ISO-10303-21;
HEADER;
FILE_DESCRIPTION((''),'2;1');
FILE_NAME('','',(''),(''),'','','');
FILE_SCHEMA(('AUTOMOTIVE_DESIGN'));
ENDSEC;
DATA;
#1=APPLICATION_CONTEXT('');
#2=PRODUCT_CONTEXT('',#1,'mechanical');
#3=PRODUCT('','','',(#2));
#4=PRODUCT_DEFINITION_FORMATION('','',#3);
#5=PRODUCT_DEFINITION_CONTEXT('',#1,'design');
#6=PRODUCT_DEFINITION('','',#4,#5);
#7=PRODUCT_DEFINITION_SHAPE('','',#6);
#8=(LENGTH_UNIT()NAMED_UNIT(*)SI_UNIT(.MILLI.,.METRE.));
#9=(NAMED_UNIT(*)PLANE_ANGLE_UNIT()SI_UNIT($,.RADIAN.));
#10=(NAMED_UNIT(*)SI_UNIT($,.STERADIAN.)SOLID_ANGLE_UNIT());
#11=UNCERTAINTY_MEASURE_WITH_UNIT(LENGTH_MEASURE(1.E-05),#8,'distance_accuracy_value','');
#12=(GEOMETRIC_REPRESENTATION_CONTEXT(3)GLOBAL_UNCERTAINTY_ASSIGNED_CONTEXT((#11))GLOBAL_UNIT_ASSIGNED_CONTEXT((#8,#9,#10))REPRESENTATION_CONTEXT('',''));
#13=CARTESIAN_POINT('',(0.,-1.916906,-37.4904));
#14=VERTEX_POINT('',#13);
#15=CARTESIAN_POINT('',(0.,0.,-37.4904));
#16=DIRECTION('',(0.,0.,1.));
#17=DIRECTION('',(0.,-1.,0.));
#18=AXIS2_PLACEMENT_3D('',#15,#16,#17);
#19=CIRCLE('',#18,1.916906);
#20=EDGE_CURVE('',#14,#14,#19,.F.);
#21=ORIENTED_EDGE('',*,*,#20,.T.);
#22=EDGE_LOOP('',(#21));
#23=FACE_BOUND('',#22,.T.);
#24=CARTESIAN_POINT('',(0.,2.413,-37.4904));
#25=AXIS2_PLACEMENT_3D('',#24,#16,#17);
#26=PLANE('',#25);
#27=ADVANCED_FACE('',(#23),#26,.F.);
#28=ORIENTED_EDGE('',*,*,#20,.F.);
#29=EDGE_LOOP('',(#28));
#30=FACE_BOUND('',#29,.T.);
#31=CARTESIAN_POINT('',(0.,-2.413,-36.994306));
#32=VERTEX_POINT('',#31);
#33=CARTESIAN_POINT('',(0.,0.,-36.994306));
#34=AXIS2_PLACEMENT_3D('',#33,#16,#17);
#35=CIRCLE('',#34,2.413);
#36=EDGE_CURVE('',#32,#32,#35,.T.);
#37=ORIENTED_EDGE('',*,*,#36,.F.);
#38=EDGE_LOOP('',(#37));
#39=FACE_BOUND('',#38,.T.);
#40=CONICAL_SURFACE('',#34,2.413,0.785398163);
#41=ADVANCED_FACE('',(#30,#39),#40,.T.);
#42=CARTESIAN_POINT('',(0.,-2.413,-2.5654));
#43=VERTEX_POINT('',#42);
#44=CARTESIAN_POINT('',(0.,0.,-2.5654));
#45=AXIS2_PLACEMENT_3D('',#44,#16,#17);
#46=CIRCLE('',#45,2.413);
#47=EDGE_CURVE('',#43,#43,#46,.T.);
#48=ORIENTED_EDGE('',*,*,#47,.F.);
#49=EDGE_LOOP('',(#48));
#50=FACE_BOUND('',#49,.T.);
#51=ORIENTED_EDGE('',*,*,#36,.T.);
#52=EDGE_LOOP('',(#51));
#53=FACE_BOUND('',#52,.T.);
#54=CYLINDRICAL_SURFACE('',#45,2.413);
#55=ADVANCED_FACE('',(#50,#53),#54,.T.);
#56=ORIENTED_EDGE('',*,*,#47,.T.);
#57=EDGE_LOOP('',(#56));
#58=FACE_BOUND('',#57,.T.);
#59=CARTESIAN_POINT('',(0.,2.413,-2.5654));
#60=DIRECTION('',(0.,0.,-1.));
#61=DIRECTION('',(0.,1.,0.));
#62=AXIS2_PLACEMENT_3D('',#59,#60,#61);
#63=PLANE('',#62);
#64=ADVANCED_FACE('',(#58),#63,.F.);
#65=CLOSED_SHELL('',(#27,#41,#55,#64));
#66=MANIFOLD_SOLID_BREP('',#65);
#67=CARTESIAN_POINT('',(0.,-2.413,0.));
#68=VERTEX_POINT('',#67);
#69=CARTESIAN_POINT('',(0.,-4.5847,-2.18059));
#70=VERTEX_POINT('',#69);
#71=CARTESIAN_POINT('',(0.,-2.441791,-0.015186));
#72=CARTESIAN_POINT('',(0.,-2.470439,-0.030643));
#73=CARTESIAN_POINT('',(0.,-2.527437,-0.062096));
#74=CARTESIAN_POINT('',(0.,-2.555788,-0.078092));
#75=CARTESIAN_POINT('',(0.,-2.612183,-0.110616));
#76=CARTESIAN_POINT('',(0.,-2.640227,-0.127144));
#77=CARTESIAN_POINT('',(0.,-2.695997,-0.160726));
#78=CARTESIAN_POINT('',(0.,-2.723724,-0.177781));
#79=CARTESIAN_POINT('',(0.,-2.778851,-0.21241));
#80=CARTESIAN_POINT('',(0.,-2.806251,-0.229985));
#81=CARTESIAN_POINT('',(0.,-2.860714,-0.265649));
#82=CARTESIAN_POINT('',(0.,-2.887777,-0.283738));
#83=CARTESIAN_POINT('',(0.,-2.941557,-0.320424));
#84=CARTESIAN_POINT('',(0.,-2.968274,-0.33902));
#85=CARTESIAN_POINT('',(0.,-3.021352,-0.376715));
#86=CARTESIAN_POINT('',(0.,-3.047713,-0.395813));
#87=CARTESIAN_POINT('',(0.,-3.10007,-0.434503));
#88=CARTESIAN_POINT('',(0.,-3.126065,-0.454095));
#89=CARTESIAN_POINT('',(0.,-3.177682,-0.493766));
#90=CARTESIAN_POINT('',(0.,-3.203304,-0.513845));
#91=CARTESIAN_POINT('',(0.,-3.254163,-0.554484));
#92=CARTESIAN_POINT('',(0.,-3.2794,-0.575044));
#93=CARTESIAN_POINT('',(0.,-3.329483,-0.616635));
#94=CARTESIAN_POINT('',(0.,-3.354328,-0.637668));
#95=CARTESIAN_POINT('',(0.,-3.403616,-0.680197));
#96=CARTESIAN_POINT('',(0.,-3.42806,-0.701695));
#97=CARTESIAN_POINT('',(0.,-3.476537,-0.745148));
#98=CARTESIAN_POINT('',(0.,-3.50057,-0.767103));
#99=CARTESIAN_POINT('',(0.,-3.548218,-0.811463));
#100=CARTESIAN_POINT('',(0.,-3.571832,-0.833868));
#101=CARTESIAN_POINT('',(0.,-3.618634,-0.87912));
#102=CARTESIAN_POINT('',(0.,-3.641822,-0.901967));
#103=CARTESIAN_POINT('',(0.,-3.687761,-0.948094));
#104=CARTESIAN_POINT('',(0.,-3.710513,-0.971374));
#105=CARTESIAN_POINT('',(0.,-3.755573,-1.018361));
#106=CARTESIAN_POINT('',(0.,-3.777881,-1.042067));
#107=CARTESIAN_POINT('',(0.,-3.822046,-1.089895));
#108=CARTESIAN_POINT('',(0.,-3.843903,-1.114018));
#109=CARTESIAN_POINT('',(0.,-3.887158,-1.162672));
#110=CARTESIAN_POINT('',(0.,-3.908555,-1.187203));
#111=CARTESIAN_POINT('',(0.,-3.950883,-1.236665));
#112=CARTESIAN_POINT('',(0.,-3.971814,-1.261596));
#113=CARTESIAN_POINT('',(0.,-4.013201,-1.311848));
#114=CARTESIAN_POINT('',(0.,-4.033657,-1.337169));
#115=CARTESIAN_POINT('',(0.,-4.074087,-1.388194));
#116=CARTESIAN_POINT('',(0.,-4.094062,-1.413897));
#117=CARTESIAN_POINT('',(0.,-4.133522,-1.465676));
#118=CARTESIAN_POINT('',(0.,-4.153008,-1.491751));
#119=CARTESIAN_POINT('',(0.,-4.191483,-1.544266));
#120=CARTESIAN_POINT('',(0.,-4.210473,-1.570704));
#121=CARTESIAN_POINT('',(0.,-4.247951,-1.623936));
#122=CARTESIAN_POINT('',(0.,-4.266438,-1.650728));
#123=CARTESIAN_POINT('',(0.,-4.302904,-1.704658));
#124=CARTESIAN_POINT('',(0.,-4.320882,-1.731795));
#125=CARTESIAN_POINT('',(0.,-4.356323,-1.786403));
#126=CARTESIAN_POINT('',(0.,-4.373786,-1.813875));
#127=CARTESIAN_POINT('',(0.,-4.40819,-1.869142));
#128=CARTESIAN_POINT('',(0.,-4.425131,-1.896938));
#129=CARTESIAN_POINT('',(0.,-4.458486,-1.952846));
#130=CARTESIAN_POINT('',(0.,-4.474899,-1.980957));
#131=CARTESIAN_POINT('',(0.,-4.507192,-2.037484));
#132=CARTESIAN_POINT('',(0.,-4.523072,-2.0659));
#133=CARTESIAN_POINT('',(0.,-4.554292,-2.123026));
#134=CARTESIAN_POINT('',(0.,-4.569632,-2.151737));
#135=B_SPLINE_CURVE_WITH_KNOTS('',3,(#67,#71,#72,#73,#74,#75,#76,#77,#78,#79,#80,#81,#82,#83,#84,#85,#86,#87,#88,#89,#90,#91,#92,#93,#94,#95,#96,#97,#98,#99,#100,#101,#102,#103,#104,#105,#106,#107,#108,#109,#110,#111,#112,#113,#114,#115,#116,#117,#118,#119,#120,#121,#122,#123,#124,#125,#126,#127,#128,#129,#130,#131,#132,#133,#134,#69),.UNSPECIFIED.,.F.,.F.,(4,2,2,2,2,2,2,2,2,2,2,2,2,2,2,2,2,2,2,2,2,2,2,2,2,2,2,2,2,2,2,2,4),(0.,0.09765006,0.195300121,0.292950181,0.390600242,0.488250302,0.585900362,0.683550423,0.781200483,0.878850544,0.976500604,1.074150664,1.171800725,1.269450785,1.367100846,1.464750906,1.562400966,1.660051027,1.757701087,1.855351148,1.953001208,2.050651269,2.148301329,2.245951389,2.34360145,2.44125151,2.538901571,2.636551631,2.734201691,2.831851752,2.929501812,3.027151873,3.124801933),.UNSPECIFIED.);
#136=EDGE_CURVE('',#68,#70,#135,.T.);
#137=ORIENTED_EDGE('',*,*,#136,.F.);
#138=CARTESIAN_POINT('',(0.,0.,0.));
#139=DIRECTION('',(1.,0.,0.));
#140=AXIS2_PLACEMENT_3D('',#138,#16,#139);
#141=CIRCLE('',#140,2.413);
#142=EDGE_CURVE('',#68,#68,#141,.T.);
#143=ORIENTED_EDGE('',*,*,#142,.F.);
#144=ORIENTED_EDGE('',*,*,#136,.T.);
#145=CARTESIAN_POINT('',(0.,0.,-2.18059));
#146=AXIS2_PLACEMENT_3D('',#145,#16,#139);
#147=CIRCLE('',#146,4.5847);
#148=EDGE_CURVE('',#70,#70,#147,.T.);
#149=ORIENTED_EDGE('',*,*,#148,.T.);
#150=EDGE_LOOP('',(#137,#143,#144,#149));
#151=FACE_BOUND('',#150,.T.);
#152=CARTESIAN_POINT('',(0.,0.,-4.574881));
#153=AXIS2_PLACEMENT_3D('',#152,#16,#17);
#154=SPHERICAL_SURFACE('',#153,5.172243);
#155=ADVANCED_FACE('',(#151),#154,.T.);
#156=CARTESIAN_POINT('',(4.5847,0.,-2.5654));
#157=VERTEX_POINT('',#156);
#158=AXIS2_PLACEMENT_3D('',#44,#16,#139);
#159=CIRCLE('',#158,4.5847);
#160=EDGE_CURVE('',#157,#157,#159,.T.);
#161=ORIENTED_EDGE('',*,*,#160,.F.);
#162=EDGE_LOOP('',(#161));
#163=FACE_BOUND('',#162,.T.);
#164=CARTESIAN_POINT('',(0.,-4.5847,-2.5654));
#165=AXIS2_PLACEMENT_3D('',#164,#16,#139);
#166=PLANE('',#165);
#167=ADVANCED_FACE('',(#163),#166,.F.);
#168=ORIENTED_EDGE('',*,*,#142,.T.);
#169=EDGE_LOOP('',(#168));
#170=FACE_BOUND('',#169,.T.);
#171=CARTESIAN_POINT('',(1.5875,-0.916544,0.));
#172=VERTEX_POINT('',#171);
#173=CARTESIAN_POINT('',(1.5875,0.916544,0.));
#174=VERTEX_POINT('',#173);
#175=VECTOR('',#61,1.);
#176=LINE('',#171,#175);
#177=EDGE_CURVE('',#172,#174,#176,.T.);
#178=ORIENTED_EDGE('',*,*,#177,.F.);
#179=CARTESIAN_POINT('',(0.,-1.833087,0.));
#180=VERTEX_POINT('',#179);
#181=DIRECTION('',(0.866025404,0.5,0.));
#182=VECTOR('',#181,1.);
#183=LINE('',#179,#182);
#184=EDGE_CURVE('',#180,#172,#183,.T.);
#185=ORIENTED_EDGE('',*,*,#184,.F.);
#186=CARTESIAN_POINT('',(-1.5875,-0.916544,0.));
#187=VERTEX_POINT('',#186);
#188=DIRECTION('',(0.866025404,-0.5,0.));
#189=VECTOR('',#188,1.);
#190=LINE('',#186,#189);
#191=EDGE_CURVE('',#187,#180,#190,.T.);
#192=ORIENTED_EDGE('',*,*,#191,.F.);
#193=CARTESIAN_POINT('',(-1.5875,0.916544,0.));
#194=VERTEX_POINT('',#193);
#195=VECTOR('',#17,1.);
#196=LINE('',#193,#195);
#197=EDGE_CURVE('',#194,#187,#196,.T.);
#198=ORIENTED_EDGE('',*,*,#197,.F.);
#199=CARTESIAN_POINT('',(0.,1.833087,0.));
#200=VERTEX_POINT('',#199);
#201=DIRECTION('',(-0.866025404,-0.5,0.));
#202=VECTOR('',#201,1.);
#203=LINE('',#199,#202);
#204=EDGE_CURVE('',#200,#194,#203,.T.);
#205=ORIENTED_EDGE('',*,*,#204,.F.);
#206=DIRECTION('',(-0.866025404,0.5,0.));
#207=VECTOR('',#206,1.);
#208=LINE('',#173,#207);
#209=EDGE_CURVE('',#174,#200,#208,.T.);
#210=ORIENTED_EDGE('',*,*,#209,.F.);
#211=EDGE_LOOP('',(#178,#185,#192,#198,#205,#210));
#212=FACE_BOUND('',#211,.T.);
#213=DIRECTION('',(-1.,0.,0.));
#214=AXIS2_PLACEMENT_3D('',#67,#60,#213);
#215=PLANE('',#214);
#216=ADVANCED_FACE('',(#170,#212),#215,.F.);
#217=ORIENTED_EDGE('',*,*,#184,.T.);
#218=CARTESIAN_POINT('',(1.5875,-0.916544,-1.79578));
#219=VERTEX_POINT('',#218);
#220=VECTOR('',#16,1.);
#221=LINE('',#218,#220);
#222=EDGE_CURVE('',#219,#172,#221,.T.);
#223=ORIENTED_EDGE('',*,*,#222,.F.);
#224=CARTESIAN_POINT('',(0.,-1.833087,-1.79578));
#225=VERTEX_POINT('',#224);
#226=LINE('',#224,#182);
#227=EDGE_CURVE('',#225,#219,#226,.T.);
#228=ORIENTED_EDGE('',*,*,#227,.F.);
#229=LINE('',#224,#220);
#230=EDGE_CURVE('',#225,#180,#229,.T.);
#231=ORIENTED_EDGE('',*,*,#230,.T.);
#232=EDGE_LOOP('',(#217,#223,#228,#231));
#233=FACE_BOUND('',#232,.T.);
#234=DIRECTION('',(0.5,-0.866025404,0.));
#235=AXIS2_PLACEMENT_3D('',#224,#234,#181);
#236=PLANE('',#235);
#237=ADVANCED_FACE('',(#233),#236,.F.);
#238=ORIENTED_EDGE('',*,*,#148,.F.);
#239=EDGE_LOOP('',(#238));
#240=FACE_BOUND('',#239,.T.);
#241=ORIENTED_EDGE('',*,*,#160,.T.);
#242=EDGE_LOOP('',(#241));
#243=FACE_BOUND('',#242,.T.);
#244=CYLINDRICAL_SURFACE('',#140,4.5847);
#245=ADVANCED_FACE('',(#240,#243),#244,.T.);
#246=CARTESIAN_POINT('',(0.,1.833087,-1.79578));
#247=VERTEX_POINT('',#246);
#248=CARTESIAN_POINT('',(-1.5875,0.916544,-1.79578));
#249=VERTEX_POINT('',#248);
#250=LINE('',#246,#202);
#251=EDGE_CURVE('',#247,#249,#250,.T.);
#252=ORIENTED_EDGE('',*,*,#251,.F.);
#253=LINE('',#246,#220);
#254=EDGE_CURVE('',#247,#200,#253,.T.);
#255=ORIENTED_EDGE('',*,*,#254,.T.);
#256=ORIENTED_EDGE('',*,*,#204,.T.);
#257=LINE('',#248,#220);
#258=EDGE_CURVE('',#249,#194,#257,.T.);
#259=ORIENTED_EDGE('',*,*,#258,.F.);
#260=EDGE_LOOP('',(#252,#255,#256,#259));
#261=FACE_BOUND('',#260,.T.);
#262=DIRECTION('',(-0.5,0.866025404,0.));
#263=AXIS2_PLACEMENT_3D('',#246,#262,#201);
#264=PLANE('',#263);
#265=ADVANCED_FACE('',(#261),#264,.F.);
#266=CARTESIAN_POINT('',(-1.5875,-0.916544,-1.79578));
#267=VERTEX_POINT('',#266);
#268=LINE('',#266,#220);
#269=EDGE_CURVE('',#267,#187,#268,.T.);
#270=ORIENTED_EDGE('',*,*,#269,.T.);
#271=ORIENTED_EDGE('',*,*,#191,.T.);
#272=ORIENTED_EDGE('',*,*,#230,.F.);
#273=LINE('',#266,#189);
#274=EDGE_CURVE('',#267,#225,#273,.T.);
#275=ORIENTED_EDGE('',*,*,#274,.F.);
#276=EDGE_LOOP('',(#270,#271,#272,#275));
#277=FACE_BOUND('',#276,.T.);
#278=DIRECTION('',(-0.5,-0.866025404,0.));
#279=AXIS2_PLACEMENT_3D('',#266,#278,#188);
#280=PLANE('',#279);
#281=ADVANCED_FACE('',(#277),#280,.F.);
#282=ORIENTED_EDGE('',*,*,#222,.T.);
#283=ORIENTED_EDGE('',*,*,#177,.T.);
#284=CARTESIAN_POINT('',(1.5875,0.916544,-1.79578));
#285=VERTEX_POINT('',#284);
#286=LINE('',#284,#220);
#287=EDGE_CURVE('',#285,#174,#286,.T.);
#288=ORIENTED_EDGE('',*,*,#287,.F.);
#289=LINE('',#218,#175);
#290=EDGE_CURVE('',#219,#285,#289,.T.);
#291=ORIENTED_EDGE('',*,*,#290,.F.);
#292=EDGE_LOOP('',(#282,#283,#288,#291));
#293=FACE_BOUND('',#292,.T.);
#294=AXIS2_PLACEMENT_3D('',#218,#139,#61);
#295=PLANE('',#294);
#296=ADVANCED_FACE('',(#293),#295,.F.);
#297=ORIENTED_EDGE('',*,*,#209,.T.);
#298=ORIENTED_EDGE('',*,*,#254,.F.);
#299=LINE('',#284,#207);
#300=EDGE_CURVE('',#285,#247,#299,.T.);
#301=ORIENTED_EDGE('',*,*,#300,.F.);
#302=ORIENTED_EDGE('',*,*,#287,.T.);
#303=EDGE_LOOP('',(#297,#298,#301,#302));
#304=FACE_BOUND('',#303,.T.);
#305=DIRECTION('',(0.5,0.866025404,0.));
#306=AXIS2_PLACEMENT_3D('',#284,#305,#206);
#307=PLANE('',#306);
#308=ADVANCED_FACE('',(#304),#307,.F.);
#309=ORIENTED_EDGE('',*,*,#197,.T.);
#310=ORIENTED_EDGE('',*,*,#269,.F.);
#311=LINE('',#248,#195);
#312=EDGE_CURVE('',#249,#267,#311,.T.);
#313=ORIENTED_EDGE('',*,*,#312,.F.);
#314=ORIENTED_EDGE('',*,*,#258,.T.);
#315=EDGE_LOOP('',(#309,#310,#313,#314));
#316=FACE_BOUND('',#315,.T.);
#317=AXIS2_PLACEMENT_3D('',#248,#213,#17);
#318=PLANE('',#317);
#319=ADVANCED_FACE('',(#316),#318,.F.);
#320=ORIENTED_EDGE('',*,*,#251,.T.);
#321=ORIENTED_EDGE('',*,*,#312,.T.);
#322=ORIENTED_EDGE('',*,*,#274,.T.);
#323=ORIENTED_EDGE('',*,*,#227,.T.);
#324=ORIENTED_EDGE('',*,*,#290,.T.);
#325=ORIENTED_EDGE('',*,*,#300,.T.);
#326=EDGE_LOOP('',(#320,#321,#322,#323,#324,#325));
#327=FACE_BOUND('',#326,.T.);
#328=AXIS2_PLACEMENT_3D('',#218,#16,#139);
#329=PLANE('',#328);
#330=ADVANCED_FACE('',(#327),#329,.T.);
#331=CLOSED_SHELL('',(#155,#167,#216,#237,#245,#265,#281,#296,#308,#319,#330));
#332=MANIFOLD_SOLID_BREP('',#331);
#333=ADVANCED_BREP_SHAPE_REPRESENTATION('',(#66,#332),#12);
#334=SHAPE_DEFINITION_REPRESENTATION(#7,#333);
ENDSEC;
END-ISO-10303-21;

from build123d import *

# Parameters (mm, degrees)
SKETCH11_W         = 34.925
SKETCH11_H         = 2.413
CHAMFER1_SIZE      = 0.49609375
CUT_EXTRUDE2_DEPTH = 1.79578


with BuildPart() as part:
    # Sketch11 → Revolve1 (revolve)
    with BuildSketch(Plane(origin=(0, 0, 0), x_dir=(0, 0, -1), z_dir=(1, 0, 0)), mode=Mode.PRIVATE) as revolve1_sk:
        with Locations((20.0279, 1.2065)):
            Rectangle(SKETCH11_W, SKETCH11_H)
    revolve(revolve1_sk.sketch.rotate(Axis((0, 0, -2.5654), (0, 0, -1)), 180), axis=Axis((0, 0, -2.5654), (0, 0, -1)))

    # Chamfer1
    chamfer1_edges = [part.edges().sort_by_distance(p)[0] for p in [
        (0, 2.413, -37.4904),
    ]]
    chamfer(chamfer1_edges, length=CHAMFER1_SIZE)


with BuildPart() as body_2:
    # Sketch7 → Revolve2 (revolve)
    with BuildSketch(Plane(origin=(0, 0, 0), x_dir=(0, 0, -1), z_dir=(1, 0, 0)), mode=Mode.PRIVATE) as revolve2_sk:
        with BuildLine():
            Line((2.18059, 4.5847), (2.5654, 4.5847))
            Line((2.5654, 4.5847), (2.5654, 0))
            Line((2.5654, 0), (0, 0))
            Line((0, 0), (0, 2.413))
            ThreePointArc((0, 2.413), (0.925030326, 3.664791196), (2.18059, 4.5847))
        make_face()
    revolve(revolve2_sk.sketch.rotate(Axis((0, 0, 0), (0, 0, -1)), 180), axis=Axis((0, 0, 0), (0, 0, -1)))

    # Sketch5 → Cut-Extrude2 (cut)
    with BuildSketch(Plane.XY):
        Polygon((1.5875, -0.916543552), (1.5875, 0.916543552), (0, 1.833087105), (-1.5875, 0.916543552), (-1.5875, -0.916543552), (0, -1.833087105), align=None)
    extrude(amount=-CUT_EXTRUDE2_DEPTH, mode=Mode.SUBTRACT)


solid = Compound([part.part, body_2.part])
